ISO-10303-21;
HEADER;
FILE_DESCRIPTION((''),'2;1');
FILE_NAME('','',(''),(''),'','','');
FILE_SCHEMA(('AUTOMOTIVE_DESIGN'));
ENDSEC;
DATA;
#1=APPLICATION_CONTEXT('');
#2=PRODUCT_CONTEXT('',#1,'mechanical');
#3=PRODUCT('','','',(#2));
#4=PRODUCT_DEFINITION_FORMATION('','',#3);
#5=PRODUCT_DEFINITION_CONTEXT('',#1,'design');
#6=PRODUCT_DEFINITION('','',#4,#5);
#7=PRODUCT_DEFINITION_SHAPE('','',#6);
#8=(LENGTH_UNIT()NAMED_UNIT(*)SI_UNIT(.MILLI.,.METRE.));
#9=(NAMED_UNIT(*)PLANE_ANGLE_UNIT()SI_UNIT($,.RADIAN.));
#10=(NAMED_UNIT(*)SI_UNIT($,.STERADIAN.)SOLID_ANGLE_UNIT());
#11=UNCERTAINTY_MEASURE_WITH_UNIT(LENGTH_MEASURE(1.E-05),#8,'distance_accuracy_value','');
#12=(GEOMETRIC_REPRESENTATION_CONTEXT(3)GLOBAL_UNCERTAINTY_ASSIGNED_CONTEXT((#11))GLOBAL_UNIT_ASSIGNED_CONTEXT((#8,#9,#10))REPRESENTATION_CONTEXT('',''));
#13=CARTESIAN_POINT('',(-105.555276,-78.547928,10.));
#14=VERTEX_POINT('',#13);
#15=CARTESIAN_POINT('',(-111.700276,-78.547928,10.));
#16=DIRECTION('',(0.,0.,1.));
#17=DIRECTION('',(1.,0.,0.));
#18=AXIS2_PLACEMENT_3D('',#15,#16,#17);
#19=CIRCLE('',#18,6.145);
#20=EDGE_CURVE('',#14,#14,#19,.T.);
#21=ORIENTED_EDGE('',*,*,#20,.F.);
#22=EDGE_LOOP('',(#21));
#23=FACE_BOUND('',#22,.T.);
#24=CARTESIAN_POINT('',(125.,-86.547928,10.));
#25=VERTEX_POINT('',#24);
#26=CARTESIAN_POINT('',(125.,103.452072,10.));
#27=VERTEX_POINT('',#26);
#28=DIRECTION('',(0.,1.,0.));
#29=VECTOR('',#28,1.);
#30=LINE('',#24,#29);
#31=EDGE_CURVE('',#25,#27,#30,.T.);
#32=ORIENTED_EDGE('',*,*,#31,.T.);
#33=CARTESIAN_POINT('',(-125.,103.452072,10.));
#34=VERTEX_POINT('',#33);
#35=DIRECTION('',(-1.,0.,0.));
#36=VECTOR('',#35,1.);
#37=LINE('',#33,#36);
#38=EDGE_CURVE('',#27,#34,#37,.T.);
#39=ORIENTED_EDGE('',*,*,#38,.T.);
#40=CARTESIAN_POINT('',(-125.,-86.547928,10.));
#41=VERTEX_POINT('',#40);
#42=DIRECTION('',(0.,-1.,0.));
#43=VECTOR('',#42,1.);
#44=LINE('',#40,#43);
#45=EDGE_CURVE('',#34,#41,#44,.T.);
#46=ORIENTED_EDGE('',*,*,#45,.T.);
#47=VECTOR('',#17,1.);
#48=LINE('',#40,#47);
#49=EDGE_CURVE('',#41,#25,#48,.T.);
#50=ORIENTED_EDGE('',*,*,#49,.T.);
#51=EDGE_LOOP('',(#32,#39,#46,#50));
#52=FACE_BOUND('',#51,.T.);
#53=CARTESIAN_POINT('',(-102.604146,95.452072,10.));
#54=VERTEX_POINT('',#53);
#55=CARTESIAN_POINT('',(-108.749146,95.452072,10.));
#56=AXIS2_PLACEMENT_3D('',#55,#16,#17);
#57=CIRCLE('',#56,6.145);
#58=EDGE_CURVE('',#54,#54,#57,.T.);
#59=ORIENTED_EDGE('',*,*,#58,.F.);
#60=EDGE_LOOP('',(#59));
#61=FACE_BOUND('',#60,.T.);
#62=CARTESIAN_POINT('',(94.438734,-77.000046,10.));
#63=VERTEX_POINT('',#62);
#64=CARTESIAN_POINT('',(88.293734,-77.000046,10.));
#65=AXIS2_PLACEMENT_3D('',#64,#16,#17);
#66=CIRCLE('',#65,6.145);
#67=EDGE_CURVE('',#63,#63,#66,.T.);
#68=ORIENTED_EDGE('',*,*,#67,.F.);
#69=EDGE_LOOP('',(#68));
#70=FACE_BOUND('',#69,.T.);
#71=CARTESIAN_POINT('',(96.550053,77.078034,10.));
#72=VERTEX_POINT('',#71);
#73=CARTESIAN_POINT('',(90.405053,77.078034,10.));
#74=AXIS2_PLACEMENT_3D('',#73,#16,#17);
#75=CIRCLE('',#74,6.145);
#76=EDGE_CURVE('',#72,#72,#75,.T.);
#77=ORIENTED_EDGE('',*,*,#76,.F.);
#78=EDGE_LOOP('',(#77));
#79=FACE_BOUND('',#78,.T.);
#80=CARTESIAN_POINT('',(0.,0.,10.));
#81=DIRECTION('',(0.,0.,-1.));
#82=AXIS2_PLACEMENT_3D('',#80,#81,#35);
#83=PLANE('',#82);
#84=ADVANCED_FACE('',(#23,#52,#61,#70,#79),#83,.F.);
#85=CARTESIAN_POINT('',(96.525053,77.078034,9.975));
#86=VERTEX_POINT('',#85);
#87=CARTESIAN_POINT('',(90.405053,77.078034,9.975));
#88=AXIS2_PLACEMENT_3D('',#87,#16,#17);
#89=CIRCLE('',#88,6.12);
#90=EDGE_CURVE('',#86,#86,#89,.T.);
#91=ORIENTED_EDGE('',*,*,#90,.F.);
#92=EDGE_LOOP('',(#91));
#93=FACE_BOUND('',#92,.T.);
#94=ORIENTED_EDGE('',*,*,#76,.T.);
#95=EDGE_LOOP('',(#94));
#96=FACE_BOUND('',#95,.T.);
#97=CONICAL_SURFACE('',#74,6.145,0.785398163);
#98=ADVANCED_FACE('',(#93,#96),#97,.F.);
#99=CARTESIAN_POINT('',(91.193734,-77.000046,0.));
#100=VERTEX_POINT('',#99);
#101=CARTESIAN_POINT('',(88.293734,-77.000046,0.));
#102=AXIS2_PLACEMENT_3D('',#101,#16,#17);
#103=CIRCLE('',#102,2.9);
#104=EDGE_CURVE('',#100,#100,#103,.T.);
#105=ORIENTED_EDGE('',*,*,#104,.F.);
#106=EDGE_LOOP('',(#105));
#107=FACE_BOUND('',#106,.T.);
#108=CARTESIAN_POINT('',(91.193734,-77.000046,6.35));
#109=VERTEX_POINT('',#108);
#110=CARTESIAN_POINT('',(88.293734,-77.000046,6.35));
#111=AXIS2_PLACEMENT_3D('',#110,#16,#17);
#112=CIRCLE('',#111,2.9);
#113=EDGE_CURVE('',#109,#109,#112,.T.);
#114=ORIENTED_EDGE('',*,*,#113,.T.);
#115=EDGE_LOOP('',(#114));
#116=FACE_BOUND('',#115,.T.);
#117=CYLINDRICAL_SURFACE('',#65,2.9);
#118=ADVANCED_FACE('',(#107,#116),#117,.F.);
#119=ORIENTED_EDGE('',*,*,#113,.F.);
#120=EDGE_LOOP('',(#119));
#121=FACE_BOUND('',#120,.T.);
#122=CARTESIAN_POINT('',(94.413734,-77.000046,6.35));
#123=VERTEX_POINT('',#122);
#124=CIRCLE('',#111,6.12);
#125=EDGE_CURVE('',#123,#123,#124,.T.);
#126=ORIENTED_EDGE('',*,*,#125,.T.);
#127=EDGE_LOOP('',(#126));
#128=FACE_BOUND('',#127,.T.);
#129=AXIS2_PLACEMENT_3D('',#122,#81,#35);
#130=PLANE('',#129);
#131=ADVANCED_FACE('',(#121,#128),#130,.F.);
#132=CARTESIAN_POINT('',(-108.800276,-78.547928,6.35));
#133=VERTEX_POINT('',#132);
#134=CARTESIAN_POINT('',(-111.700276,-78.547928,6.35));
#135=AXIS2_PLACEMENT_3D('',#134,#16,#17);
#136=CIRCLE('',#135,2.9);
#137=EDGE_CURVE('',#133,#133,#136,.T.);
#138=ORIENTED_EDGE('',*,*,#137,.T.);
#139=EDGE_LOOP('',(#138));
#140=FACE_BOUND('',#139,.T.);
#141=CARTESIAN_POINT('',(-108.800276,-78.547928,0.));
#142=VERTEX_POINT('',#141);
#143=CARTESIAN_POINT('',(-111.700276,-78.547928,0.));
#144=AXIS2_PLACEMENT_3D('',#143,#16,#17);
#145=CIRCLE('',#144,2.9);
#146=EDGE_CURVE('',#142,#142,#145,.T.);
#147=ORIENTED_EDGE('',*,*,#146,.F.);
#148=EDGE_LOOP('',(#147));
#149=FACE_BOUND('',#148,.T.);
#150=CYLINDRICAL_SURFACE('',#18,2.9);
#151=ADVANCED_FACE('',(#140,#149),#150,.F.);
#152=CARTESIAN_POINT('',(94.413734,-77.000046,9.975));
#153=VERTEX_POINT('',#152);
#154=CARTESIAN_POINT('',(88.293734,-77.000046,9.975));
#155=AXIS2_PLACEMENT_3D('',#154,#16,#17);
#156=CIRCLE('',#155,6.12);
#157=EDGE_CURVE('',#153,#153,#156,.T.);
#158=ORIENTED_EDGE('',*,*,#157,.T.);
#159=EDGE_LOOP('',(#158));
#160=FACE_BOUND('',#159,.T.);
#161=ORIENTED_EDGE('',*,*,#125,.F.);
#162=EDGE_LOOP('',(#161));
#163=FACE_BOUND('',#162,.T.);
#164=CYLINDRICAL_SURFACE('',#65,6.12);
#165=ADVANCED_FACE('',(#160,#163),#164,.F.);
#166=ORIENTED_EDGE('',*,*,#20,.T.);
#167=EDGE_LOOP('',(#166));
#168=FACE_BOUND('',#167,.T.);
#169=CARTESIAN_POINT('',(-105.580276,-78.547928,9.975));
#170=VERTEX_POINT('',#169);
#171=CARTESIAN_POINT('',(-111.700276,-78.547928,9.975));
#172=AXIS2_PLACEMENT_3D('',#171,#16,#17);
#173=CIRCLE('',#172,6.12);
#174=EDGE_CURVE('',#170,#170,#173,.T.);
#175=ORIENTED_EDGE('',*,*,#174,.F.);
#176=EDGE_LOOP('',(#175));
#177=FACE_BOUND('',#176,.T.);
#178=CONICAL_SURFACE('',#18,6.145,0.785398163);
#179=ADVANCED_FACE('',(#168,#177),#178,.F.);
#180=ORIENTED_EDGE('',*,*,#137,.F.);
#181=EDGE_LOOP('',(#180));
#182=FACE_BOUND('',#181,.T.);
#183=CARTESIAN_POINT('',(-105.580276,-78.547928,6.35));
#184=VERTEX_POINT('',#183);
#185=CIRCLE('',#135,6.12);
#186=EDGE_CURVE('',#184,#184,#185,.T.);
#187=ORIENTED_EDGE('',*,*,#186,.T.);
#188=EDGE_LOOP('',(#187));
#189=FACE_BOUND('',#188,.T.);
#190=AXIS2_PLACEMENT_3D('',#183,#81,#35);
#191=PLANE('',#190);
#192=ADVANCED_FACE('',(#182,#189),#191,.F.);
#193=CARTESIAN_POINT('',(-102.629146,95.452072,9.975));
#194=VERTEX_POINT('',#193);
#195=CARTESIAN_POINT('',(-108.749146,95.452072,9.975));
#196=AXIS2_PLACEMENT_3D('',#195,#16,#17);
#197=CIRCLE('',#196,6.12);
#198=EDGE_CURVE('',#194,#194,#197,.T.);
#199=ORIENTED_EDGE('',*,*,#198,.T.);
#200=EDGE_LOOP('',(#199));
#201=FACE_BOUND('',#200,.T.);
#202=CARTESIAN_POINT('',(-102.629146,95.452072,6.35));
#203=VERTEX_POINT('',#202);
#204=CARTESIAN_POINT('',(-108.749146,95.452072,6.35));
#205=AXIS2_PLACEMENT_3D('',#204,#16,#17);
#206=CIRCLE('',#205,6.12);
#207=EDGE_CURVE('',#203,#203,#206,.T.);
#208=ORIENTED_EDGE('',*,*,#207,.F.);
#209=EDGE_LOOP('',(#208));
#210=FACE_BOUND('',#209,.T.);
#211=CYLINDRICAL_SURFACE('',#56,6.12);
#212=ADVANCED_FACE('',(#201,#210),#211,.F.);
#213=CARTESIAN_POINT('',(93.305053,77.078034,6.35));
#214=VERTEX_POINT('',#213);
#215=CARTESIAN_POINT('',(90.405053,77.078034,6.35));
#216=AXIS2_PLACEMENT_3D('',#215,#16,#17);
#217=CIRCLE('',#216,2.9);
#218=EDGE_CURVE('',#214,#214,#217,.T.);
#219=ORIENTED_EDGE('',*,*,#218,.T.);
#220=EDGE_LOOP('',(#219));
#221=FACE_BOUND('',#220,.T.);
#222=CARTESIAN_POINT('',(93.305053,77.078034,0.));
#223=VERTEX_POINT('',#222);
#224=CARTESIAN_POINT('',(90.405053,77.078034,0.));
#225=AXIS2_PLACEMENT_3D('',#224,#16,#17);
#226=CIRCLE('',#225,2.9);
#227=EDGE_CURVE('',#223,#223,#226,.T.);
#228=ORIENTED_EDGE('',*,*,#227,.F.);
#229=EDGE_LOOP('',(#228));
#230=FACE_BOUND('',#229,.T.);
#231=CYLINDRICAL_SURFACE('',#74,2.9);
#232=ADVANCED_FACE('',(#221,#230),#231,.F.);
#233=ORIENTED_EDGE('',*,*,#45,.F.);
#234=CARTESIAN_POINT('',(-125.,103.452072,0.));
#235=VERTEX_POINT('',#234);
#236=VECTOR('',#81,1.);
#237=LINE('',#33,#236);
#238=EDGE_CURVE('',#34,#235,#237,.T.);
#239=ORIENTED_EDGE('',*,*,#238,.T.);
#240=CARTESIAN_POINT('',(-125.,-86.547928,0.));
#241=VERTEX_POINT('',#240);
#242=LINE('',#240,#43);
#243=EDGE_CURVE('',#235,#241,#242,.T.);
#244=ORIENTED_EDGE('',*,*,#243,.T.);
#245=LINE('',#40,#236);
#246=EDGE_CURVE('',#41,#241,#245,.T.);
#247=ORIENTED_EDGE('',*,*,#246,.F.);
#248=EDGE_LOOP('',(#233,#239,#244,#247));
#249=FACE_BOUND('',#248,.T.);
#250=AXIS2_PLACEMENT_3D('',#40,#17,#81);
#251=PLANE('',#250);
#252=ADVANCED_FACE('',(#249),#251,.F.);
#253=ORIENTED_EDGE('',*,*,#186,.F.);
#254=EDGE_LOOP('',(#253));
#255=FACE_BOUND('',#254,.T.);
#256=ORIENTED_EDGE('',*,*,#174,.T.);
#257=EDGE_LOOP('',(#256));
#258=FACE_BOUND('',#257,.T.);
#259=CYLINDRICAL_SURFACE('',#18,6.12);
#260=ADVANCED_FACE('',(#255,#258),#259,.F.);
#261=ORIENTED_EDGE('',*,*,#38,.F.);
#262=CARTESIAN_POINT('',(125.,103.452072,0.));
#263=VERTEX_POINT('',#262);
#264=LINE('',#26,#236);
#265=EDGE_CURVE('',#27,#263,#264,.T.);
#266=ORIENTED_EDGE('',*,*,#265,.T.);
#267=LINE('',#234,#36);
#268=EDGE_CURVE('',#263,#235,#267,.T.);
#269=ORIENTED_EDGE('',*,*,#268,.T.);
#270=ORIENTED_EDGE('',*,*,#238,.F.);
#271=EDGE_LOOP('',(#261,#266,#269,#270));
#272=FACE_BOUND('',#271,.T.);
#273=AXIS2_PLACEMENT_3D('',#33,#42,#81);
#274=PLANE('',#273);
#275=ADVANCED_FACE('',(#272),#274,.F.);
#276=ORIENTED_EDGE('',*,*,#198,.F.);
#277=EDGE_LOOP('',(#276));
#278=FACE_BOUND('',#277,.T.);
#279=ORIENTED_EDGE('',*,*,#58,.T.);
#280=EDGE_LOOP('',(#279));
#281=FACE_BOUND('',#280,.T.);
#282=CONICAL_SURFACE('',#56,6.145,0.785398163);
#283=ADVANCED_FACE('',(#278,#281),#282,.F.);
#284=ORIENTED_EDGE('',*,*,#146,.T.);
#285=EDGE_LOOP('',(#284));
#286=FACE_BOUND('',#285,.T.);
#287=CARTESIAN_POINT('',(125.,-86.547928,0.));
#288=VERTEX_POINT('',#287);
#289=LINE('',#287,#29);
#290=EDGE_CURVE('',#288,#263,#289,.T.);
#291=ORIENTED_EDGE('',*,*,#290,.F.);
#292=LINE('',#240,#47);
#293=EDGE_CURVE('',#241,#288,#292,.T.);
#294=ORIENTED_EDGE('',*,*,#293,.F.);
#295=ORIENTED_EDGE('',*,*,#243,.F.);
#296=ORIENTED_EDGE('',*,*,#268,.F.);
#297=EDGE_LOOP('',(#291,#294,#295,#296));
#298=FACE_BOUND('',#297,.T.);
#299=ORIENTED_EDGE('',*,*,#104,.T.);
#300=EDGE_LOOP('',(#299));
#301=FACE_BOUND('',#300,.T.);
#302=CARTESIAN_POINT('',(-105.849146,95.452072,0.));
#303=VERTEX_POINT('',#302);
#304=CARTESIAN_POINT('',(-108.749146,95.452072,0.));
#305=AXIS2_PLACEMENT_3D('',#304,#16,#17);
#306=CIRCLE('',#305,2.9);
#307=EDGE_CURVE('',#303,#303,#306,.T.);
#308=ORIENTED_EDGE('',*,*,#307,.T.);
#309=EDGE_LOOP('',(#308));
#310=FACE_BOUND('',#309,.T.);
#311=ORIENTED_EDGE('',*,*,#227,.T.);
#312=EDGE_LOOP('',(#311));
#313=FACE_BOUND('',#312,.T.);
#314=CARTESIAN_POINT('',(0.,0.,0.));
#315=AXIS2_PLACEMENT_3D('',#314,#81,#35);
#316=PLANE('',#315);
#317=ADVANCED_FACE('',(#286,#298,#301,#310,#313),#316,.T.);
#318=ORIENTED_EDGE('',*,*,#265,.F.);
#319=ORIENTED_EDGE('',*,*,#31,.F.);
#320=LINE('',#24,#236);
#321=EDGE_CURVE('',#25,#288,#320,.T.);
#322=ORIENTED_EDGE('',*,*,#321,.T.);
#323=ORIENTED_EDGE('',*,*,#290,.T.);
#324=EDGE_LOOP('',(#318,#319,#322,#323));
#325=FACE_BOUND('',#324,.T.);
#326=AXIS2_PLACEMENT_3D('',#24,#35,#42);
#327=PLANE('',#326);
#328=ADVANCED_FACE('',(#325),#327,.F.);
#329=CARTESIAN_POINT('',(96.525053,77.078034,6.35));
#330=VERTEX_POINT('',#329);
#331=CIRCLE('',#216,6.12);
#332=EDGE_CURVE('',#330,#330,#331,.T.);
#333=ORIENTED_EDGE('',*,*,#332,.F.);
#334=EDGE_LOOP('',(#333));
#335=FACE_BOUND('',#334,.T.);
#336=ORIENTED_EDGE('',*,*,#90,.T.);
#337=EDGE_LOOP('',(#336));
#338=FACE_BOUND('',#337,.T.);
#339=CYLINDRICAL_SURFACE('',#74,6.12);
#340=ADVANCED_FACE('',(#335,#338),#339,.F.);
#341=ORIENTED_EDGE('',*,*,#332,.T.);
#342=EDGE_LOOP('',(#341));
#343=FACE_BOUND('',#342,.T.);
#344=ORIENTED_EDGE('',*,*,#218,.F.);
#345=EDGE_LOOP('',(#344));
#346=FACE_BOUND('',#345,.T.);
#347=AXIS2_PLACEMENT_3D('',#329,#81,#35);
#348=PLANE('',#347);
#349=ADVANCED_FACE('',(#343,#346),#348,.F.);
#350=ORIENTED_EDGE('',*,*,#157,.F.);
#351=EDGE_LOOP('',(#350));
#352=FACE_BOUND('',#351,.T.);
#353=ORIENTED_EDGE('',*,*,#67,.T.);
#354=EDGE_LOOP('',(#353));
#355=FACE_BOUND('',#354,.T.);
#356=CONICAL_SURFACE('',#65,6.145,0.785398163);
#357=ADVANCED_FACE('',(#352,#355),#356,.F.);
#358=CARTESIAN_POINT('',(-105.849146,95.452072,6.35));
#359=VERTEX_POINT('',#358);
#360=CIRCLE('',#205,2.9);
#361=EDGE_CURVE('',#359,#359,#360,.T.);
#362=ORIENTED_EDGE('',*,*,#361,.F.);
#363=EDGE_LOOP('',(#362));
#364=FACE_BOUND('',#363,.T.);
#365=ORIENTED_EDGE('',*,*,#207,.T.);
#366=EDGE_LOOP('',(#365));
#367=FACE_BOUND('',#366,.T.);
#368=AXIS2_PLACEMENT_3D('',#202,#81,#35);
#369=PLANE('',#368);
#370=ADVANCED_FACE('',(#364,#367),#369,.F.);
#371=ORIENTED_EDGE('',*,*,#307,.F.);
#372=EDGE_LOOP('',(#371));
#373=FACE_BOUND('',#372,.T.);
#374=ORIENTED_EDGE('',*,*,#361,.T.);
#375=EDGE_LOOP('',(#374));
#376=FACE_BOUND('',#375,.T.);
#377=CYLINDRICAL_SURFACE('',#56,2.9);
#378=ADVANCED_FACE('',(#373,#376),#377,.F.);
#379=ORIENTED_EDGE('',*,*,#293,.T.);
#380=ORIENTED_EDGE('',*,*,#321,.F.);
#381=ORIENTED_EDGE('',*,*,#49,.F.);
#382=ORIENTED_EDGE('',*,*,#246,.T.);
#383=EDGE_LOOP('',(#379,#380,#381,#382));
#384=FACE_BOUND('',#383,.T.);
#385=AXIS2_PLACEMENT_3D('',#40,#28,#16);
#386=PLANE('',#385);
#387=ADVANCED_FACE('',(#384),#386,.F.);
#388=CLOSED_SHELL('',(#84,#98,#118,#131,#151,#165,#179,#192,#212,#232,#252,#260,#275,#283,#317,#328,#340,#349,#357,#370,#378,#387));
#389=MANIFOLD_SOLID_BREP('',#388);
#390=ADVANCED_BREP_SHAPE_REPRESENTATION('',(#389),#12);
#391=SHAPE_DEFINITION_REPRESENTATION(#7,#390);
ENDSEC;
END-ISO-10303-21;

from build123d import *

# Parameters (mm, degrees)
SKETCH1_W                                   = 250
SKETCH1_H                                   = 190
BOSS_EXTRUDE1_DEPTH                         = 10
CBORE_FOR_M5_HEX_HEAD_CAP_SCREW1_AT_2_COUNT = 2
CBORE_FOR_M5_HEX_HEAD_CAP_SCREW1_AT_2_PITCH = 174.025024549
CBORE_FOR_M5_HEX_HEAD_CAP_SCREW1_AT_3_COUNT = 2
CBORE_FOR_M5_HEX_HEAD_CAP_SCREW1_AT_3_PITCH = 261.850395634
CBORE_FOR_M5_HEX_HEAD_CAP_SCREW1_AT_4_COUNT = 2
CBORE_FOR_M5_HEX_HEAD_CAP_SCREW1_AT_4_PITCH = 200


with BuildPart() as part:
    # Sketch1 → Boss-Extrude1 (new body)
    with BuildSketch(Plane.XY):
        with Locations((0, 8.452072107)):
            Rectangle(SKETCH1_W, SKETCH1_H)
    extrude(amount=BOSS_EXTRUDE1_DEPTH)

    # Sketch10 → CBORE for M5 Hex Head Cap Screw1 (revolve, cut)
    with BuildSketch(Plane(origin=(-108.749145678, 95.452072107, 10), x_dir=(0, -1, 0), z_dir=(1, 0, 0))):
        Polygon((0, 0), (0, 10), (2.9, 10), (2.9, 3.65), (6.12, 3.65), (6.12, 0.025), (6.145, 0), align=None)
    cbore_for_m5_hex_head_cap_screw1 = revolve(axis=Axis((-108.749145678, 95.452072107, 16.35), (0, 0, -1)), mode=Mode.SUBTRACT)

    # CBORE for M5 Hex Head Cap Screw1 at 2: CBORE for M5 Hex Head Cap Screw1 ×2
    with Locations(*[Vector(-0.01695807915079003, -0.9998562014367444, 0) * (i * CBORE_FOR_M5_HEX_HEAD_CAP_SCREW1_AT_2_PITCH) for i in range(1, CBORE_FOR_M5_HEX_HEAD_CAP_SCREW1_AT_2_COUNT)]):
        add(cbore_for_m5_hex_head_cap_screw1, mode=Mode.SUBTRACT)

    # CBORE for M5 Hex Head Cap Screw1 at 3: CBORE for M5 Hex Head Cap Screw1 ×2
    with Locations(*[Vector(0.7525017460823102, -0.6585902536046783, 0) * (i * CBORE_FOR_M5_HEX_HEAD_CAP_SCREW1_AT_3_PITCH) for i in range(1, CBORE_FOR_M5_HEX_HEAD_CAP_SCREW1_AT_3_COUNT)]):
        add(cbore_for_m5_hex_head_cap_screw1, mode=Mode.SUBTRACT)

    # CBORE for M5 Hex Head Cap Screw1 at 4: CBORE for M5 Hex Head Cap Screw1 ×2
    with Locations(*[Vector(0.9957709917740633, -0.09187019071112518, 0) * (i * CBORE_FOR_M5_HEX_HEAD_CAP_SCREW1_AT_4_PITCH) for i in range(1, CBORE_FOR_M5_HEX_HEAD_CAP_SCREW1_AT_4_COUNT)]):
        add(cbore_for_m5_hex_head_cap_screw1, mode=Mode.SUBTRACT)


solid = part.part
